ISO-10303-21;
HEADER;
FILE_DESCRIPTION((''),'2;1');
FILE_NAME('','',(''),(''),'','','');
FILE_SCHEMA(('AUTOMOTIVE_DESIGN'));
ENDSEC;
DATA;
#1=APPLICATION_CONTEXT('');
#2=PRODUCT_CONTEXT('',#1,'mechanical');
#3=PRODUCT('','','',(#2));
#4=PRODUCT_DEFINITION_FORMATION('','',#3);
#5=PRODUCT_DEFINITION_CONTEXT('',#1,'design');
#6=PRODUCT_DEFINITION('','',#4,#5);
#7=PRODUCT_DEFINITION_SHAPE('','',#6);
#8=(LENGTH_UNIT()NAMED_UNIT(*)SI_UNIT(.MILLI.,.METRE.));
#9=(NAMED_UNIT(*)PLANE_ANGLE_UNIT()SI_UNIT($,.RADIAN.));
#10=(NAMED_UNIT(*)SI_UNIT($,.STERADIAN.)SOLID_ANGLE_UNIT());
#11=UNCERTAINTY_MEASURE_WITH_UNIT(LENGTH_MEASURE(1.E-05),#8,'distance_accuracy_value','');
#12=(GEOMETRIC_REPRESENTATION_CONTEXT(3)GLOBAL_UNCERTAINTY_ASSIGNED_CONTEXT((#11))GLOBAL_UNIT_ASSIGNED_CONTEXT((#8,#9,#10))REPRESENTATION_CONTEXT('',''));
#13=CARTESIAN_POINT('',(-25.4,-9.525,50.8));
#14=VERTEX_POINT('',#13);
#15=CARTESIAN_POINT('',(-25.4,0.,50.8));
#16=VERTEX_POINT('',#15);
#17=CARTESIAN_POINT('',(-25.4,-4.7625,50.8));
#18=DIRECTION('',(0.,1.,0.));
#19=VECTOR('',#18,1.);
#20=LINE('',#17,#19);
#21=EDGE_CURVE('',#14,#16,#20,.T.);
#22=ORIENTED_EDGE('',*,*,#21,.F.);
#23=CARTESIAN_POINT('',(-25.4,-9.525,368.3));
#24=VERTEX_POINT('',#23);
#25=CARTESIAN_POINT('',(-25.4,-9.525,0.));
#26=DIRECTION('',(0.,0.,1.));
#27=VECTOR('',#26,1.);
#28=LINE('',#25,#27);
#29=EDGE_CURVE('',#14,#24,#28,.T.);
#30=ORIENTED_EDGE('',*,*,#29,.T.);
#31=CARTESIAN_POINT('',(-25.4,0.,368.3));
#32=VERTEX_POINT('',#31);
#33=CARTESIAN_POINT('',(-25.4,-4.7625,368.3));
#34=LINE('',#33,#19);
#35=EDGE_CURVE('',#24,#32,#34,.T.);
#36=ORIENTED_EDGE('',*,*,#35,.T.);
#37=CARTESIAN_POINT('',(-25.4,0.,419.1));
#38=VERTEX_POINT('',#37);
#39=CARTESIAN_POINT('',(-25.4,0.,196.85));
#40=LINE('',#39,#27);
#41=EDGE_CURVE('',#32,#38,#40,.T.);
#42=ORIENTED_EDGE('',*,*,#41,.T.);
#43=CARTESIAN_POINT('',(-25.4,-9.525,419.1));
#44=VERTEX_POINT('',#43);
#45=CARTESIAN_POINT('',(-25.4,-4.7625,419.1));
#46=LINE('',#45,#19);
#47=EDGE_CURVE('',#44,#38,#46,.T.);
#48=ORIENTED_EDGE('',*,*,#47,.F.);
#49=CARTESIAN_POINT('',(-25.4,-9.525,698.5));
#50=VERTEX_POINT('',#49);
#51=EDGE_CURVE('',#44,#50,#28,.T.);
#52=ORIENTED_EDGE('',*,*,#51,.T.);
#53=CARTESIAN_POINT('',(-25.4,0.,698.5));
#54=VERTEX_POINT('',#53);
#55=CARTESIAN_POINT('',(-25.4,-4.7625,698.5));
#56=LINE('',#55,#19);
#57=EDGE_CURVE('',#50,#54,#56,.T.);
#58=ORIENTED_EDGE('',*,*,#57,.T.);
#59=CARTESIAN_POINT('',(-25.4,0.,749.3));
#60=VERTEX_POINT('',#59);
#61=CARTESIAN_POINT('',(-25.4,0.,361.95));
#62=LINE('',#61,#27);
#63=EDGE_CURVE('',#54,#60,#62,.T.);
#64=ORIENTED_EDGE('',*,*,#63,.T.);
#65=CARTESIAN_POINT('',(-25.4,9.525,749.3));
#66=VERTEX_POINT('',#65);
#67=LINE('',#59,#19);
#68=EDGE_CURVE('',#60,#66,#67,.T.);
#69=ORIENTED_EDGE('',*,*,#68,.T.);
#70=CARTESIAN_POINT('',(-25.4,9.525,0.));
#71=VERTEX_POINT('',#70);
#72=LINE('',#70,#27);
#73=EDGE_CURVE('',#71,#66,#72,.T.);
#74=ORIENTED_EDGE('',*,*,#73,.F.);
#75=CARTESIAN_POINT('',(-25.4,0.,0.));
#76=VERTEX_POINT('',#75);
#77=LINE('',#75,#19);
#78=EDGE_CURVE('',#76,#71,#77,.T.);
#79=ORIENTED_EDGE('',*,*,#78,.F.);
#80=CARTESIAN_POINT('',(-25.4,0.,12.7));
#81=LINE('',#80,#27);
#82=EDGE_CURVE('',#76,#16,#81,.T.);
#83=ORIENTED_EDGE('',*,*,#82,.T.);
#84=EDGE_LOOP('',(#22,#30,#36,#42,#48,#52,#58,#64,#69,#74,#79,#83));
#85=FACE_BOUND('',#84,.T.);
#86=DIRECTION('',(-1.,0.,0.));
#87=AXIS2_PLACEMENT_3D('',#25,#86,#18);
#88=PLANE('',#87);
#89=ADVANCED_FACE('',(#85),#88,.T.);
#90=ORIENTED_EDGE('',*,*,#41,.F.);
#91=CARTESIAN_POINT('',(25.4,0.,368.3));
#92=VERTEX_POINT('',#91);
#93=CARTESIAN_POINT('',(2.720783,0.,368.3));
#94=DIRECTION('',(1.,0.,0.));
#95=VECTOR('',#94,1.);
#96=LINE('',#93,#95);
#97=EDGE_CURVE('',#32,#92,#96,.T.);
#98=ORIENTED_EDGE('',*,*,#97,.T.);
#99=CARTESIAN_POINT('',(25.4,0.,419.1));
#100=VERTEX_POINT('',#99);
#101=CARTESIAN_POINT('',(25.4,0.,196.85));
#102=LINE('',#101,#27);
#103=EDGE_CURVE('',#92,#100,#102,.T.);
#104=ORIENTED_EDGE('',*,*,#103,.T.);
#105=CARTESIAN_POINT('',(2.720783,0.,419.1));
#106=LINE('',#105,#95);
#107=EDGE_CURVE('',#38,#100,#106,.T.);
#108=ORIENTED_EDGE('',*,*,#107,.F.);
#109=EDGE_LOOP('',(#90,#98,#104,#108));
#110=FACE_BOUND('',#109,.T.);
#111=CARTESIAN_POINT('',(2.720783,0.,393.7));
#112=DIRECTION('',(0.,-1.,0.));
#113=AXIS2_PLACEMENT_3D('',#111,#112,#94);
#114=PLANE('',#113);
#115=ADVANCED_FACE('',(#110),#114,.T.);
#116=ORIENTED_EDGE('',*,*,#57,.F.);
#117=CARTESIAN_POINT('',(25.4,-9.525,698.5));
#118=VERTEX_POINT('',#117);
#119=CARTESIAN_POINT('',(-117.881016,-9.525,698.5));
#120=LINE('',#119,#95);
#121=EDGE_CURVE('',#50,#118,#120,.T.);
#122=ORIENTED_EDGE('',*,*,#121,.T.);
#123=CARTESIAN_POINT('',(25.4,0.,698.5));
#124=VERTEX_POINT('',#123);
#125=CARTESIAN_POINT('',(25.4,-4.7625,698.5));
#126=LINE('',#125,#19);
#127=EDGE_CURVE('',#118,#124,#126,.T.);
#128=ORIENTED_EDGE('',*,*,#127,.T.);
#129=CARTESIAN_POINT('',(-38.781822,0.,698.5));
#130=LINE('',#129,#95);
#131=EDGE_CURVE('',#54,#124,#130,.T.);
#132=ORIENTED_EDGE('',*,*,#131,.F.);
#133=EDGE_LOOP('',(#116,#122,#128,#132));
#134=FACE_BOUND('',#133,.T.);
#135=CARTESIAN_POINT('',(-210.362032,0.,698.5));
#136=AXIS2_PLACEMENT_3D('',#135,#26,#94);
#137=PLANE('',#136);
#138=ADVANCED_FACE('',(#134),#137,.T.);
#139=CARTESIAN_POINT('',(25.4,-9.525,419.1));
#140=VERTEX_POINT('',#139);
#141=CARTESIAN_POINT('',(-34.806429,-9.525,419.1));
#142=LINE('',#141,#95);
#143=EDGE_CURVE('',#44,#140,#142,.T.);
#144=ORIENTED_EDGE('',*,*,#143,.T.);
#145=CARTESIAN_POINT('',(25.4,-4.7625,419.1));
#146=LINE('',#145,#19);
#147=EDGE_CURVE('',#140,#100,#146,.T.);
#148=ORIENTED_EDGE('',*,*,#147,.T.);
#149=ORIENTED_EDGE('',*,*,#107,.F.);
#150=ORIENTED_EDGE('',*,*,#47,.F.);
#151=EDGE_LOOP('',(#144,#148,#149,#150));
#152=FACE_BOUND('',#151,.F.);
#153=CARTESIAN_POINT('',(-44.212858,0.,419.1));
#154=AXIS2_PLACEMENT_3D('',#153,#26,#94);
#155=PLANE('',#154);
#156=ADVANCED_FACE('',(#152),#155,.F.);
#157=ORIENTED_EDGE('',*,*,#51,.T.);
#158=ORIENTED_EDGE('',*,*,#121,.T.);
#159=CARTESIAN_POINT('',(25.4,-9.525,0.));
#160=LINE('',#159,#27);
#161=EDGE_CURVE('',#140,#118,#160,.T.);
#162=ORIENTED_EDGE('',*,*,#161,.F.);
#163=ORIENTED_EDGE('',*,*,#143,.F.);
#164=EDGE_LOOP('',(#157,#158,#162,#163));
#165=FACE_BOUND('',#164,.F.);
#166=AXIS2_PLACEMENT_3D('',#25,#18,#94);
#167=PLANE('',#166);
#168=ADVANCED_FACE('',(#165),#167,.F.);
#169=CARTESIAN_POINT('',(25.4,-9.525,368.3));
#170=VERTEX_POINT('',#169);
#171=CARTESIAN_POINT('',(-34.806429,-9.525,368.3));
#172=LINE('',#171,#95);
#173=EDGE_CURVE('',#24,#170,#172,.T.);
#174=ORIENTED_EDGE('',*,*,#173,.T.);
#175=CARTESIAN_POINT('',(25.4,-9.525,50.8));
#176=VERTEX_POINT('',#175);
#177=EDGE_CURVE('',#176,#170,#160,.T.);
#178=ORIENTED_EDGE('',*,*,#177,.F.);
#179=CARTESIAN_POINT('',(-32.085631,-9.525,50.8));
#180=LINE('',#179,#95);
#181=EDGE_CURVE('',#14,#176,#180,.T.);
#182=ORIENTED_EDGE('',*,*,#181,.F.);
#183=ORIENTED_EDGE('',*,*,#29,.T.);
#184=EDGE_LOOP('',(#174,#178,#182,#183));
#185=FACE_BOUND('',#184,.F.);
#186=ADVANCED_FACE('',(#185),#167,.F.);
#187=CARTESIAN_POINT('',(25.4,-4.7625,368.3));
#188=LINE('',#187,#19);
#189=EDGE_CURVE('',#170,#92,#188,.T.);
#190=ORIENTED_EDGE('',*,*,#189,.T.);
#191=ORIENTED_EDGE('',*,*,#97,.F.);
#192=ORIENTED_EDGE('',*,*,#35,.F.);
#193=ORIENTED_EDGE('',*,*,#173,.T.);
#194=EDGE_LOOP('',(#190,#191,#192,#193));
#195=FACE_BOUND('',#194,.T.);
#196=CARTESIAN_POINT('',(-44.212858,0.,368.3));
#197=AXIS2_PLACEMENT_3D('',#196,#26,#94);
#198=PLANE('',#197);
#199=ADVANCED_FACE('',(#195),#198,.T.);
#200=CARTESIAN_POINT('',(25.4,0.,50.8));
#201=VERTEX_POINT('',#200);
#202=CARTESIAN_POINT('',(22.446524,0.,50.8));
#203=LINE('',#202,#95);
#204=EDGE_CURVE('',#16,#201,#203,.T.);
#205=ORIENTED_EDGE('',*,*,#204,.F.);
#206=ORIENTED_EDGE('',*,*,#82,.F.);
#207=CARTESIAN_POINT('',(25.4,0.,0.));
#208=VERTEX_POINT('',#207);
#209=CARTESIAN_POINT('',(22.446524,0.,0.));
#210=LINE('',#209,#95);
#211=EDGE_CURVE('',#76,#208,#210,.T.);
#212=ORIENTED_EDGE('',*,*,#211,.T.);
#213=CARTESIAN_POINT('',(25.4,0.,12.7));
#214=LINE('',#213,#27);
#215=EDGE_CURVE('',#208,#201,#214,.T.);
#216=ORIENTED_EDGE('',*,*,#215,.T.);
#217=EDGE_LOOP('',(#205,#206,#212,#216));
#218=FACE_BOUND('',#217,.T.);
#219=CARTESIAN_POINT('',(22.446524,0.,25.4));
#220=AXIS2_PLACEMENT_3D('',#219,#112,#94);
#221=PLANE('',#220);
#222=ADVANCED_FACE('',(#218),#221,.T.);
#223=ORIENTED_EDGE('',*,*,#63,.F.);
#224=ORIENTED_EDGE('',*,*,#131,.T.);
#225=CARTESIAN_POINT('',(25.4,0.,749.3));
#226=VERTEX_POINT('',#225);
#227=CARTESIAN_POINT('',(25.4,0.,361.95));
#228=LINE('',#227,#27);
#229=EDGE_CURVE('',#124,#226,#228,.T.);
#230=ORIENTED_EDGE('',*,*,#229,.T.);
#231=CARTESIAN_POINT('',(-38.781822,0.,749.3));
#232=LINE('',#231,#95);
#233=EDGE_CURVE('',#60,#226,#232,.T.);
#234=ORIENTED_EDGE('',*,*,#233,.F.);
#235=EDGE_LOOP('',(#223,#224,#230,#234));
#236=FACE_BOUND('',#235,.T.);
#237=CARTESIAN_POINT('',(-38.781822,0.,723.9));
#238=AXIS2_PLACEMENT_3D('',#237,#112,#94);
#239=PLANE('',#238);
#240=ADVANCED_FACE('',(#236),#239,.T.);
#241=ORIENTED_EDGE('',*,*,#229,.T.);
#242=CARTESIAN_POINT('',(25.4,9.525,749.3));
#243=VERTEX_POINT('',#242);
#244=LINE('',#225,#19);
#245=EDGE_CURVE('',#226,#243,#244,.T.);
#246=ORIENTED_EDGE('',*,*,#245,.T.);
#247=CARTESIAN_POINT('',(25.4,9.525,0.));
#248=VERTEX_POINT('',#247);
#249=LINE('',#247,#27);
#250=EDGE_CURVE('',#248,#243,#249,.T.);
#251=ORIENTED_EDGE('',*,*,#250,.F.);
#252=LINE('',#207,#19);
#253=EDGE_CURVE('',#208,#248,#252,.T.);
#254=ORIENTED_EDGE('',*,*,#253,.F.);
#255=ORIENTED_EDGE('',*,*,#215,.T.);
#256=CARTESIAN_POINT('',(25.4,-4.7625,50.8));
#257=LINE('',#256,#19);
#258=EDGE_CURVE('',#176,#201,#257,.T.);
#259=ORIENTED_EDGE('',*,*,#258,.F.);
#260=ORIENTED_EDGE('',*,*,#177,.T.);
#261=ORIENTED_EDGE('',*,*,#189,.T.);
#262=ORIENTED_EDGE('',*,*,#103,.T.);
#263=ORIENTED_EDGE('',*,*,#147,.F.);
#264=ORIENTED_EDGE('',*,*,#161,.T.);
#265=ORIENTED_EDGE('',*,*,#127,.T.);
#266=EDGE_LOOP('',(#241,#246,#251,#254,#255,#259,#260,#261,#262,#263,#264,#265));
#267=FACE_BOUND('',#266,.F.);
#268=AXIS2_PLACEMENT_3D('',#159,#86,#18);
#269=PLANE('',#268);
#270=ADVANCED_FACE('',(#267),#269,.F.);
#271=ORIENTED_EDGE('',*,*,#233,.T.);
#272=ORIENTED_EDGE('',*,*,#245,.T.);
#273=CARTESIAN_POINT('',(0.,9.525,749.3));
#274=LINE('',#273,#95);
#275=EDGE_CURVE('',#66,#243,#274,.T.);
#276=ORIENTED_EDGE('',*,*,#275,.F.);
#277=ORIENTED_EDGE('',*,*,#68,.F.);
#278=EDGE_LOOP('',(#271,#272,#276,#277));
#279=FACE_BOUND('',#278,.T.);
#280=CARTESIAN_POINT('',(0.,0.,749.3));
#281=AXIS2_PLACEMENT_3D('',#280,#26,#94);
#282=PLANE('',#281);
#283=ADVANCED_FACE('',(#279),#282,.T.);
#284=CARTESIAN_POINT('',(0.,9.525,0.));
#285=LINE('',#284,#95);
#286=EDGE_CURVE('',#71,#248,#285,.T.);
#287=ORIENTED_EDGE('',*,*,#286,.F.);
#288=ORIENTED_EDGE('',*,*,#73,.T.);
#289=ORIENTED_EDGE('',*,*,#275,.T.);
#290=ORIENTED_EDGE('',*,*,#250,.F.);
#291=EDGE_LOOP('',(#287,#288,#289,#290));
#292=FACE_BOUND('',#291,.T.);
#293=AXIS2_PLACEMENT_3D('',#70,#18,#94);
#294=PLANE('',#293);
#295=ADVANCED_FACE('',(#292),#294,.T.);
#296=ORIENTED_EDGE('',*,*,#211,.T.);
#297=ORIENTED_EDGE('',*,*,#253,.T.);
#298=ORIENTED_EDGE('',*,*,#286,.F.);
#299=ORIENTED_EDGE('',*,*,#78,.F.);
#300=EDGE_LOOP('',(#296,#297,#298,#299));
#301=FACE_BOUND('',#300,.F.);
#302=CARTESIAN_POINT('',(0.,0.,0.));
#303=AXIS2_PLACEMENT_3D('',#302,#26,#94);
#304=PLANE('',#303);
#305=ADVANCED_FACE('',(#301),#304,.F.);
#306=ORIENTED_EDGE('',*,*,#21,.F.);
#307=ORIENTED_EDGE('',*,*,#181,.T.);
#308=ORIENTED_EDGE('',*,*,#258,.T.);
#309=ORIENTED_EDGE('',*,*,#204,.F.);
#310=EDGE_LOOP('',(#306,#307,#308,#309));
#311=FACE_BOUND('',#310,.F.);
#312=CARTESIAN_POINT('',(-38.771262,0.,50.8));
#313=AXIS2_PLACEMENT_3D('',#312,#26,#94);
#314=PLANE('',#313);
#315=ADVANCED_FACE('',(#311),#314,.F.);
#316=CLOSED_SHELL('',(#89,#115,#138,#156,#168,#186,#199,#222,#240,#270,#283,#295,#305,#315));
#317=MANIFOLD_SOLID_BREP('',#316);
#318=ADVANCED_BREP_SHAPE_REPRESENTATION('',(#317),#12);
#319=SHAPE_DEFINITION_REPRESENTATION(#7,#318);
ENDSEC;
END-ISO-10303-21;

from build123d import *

# Parameters (mm, degrees)
F0_W     = 50.8
F0_H     = 19.05
F1_DEPTH = 749.3
F2_W     = 122.435573
F2_H     = 50.8
F2_W_2   = 93.867282
F2_W_3   = 343.160421
F3_DEPTH = 25.4


with BuildPart() as f1:
    # F0 (on Top) → F1 (new body)
    with BuildSketch(Plane.XY):
        Rectangle(F0_W, F0_H)
    extrude(amount=F1_DEPTH)

    # F2 (on Front) → F3 (cut)
    with BuildSketch(Plane.XZ):
        with Locations((22.446524, 25.4)):
            Rectangle(F2_W, F2_H)
        with Locations((2.720783, 393.7)):
            Rectangle(F2_W_2, F2_H)
        with Locations((-38.781822, 723.9)):
            Rectangle(F2_W_3, F2_H)
    extrude(amount=F3_DEPTH, mode=Mode.SUBTRACT)


solid = f1.part
